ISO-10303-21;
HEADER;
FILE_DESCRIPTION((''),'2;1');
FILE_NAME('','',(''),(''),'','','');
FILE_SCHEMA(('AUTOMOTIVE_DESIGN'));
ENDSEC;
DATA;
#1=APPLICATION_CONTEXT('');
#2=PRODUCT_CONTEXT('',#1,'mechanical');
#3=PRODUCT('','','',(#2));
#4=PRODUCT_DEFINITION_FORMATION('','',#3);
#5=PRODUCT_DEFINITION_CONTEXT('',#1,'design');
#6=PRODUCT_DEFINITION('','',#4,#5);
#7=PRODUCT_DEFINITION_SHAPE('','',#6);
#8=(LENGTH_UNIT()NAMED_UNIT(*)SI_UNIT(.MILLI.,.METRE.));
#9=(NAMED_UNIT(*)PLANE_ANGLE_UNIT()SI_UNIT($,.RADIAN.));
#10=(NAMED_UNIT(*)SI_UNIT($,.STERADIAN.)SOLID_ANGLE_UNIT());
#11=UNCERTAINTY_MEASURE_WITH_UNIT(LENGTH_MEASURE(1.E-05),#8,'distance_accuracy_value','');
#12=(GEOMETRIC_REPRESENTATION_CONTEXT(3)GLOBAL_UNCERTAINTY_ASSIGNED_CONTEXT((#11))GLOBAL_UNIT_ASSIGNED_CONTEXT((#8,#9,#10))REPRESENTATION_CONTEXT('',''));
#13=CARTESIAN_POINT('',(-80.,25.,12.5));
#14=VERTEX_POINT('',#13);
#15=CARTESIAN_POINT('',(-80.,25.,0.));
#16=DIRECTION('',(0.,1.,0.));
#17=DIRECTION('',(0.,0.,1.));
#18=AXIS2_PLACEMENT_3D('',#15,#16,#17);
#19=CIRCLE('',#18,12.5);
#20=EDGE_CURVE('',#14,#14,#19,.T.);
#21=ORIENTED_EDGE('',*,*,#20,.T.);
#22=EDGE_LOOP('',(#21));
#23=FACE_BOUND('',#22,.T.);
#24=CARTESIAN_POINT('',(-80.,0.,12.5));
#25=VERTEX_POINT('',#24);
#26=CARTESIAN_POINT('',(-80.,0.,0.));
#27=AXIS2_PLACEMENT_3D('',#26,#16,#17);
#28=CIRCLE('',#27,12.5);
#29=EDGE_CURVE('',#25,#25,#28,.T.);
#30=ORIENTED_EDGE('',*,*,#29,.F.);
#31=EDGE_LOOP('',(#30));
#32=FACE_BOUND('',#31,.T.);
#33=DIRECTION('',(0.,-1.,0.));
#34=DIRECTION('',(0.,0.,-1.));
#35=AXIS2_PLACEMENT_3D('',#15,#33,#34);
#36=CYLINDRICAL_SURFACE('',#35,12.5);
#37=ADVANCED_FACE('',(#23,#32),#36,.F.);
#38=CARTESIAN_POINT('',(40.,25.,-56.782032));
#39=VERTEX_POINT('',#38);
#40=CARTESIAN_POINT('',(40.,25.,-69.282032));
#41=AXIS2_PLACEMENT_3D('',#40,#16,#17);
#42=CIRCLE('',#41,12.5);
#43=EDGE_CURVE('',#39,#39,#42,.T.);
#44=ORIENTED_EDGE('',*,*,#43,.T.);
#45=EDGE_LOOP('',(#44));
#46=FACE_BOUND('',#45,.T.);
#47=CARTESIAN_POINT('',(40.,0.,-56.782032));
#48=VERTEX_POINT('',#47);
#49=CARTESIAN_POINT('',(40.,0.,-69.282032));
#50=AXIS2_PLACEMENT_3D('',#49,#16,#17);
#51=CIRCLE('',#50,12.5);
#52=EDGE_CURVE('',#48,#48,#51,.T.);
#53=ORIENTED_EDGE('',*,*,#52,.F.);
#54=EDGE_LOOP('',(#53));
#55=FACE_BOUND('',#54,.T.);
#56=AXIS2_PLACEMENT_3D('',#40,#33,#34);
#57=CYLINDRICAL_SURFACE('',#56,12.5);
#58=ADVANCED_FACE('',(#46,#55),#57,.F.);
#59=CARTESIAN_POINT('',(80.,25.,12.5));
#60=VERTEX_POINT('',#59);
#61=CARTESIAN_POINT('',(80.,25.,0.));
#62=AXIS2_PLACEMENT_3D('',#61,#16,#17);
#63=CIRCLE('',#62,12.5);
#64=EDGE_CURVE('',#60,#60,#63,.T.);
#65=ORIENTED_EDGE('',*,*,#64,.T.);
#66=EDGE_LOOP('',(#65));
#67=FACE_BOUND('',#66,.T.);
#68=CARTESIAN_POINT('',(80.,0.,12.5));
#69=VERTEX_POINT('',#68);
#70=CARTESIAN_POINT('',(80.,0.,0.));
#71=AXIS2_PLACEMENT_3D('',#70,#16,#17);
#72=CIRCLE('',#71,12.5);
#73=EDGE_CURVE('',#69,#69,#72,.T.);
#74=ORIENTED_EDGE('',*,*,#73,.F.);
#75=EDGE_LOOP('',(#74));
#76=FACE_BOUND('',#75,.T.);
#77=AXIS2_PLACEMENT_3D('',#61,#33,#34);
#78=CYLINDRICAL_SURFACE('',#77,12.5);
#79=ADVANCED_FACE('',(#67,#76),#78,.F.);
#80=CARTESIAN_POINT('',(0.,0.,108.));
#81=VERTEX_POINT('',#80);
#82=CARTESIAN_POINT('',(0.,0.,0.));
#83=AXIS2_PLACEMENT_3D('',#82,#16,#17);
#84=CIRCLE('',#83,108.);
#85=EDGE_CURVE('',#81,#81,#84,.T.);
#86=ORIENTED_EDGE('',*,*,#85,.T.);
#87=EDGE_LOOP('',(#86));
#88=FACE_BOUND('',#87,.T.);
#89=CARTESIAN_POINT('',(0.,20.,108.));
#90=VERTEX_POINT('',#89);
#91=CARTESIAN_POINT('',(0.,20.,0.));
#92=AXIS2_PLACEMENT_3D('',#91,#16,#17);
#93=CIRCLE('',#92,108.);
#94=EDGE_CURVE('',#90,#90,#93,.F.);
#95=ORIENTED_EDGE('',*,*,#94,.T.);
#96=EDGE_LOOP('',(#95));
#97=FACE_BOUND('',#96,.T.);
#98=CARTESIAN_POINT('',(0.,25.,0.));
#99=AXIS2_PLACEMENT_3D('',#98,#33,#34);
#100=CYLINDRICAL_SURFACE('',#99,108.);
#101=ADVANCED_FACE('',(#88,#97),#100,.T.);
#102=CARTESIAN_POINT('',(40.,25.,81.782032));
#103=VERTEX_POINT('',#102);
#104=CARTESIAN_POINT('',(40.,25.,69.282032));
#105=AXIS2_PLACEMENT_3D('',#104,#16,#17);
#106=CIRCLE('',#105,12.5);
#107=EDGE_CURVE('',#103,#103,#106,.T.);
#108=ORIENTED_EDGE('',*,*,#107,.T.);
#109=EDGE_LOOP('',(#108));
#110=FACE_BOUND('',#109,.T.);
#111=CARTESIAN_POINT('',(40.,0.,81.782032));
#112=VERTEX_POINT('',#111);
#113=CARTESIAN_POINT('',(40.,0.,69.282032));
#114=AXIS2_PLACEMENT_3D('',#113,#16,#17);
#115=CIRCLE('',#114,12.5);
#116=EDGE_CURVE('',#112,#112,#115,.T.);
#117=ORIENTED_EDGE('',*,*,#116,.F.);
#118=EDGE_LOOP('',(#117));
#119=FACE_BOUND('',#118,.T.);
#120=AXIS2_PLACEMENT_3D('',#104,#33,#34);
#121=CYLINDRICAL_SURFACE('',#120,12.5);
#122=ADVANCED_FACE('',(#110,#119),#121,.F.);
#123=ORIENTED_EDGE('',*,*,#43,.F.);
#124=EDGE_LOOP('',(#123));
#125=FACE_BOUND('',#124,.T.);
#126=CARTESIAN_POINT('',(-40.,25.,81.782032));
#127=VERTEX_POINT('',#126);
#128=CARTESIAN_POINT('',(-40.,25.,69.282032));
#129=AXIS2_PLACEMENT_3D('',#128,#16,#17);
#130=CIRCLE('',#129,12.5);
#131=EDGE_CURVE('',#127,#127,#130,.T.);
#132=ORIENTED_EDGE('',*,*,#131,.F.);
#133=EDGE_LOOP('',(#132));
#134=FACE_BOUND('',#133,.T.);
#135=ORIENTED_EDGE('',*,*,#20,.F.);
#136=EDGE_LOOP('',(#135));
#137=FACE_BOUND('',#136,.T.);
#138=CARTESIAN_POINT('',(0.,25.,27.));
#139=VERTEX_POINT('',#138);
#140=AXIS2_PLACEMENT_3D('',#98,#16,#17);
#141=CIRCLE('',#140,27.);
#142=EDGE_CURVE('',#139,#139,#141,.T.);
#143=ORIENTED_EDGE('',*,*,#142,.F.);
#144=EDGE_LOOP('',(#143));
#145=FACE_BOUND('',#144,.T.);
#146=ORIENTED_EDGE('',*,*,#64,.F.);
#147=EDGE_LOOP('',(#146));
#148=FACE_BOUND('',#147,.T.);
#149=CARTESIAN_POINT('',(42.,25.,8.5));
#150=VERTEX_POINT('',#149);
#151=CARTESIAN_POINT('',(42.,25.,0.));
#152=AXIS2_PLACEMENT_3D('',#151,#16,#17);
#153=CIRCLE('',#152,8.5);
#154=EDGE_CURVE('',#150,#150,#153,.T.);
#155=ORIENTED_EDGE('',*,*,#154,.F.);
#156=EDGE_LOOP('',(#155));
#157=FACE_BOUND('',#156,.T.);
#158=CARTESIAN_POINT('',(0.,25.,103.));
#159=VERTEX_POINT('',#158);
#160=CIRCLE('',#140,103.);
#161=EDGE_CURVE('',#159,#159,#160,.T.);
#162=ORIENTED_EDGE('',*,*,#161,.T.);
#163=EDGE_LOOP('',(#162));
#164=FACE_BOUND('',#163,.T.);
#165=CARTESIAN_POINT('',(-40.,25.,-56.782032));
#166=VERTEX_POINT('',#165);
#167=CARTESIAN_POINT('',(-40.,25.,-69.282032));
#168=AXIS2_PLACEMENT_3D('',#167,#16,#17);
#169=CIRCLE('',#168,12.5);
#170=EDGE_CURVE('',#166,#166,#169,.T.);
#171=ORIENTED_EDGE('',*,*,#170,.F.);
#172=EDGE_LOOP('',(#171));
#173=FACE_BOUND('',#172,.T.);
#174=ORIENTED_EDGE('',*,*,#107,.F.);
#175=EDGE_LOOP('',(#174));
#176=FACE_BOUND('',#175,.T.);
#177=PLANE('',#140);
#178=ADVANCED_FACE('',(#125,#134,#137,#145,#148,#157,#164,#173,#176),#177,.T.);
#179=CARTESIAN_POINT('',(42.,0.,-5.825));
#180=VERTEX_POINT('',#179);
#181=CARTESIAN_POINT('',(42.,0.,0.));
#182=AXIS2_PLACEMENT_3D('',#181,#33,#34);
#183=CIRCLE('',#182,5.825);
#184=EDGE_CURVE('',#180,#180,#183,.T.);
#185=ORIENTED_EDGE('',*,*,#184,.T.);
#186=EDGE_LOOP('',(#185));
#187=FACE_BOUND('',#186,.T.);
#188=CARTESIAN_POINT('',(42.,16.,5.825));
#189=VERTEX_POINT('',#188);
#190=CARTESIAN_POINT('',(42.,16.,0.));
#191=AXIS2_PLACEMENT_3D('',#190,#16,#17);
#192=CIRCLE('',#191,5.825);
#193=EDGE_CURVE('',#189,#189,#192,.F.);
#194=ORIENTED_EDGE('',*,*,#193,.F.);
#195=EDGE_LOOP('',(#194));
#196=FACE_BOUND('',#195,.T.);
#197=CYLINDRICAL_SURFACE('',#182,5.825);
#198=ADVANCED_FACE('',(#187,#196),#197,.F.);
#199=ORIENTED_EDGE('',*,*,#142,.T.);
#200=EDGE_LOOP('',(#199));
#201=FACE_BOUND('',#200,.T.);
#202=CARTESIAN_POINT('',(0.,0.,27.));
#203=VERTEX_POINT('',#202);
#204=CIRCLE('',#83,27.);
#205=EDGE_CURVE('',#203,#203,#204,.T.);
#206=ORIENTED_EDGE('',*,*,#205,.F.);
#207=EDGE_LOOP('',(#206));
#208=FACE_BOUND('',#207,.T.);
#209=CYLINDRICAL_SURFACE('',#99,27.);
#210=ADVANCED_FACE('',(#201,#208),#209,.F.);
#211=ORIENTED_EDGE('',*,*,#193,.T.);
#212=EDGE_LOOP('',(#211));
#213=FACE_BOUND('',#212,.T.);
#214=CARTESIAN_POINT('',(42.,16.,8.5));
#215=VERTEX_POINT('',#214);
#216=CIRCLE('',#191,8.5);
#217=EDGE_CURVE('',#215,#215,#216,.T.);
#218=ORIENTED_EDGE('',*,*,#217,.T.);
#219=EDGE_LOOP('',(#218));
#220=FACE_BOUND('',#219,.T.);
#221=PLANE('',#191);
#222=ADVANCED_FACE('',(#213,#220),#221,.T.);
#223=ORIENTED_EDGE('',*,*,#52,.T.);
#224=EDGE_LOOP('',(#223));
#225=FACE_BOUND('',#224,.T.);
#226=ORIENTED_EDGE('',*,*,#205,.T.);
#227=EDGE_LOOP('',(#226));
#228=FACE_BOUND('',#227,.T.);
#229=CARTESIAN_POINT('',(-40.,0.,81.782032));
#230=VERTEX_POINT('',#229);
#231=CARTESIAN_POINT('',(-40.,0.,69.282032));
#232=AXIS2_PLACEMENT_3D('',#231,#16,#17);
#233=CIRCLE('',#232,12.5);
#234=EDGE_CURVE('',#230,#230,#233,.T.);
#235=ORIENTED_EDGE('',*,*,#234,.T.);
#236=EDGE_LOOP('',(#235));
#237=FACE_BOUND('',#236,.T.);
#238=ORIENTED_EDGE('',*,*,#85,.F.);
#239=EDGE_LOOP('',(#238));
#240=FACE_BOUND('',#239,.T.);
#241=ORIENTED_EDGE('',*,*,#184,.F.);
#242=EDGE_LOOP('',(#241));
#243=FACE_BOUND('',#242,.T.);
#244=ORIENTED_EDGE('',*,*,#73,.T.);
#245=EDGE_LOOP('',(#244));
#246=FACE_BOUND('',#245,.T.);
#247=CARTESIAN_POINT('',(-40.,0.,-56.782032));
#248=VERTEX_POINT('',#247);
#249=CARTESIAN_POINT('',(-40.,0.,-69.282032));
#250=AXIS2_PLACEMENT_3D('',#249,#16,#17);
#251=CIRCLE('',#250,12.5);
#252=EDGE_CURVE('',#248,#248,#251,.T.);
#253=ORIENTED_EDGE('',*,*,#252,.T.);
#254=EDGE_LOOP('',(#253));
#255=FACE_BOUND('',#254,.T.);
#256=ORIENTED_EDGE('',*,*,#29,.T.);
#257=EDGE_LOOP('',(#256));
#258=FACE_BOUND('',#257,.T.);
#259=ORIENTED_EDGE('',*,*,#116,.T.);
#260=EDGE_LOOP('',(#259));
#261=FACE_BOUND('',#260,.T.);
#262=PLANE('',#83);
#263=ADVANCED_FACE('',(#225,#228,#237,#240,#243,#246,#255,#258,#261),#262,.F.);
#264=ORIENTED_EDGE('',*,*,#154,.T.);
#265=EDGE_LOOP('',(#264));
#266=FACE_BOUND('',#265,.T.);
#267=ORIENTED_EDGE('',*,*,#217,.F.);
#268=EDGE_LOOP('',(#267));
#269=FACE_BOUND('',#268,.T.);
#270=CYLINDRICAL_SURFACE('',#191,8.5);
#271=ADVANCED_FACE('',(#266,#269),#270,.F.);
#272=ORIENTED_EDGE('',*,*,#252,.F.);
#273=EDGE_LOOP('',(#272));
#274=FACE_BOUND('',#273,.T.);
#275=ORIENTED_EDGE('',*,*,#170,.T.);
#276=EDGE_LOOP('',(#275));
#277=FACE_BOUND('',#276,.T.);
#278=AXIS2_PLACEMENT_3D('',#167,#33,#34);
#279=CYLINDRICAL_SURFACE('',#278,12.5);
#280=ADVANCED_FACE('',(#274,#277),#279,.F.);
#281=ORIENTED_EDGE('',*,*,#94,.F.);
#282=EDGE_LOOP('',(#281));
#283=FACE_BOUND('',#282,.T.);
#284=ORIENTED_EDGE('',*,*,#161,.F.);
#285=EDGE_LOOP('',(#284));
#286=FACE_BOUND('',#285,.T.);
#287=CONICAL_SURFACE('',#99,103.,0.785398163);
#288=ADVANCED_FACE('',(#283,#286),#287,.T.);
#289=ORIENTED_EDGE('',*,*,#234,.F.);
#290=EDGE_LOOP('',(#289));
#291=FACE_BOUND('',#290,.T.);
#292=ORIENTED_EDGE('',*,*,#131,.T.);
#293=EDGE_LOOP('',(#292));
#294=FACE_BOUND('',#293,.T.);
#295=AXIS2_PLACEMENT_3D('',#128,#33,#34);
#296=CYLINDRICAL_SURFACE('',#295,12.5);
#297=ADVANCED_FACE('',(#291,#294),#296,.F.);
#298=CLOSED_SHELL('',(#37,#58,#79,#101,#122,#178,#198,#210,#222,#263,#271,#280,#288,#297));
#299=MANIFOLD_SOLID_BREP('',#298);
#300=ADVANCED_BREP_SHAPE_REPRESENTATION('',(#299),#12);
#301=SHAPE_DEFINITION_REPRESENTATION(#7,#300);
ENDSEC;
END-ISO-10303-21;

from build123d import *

# Parameters (mm, degrees)
SKETCH1_R               = 108
SKETCH1_R_2             = 27
SKETCH1_R_3             = 12.5
BOSS_EXTRUDE1_DEPTH     = 25
CHAMFER1_SIZE           = 5
M12X0_35_TAPPED_HOLE2_D = 11.65
SKETCH4_R               = 8.5
CUT_EXTRUDE2_DEPTH      = 9


with BuildPart() as part:
    # Sketch1 → Boss-Extrude1 (new body)
    with BuildSketch(Plane(origin=(0, 0, 0), x_dir=(1, 0, 0), z_dir=(0, 1, 0))):
        with Locations(Location((0, 0, 0), (0, 0, 270))):
            Circle(SKETCH1_R)
        with Locations(Location((0, 0, 0), (0, 0, 270))):
            Circle(SKETCH1_R_2, mode=Mode.SUBTRACT)
        with Locations(Location((40, 69.282032303, 0), (0, 0, 270))):
            Circle(SKETCH1_R_3, mode=Mode.SUBTRACT)
        with Locations(Location((80, 0, 0), (0, 0, 270))):
            Circle(SKETCH1_R_3, mode=Mode.SUBTRACT)
        with Locations(Location((40, -69.282032303, 0), (0, 0, 270))):
            Circle(SKETCH1_R_3, mode=Mode.SUBTRACT)
        with Locations(Location((-40, -69.282032303, 0), (0, 0, 270))):
            Circle(SKETCH1_R_3, mode=Mode.SUBTRACT)
        with Locations(Location((-80, 0, 0), (0, 0, 270))):
            Circle(SKETCH1_R_3, mode=Mode.SUBTRACT)
        with Locations(Location((-40, 69.282032303, 0), (0, 0, 270))):
            Circle(SKETCH1_R_3, mode=Mode.SUBTRACT)
    extrude(amount=BOSS_EXTRUDE1_DEPTH)

    # Chamfer1
    chamfer1_edges = [part.edges().sort_by_distance(p)[0] for p in [
        (0, 25, -108),
    ]]
    chamfer(chamfer1_edges, length=CHAMFER1_SIZE)

    # M12x0.35 Tapped Hole2 (through all)
    with Locations(Plane(origin=(42, 0, 0), x_dir=(0, 0, -1), z_dir=(0, -1, 0))):
        with Locations((0, 0)):
            Hole(M12X0_35_TAPPED_HOLE2_D / 2)

    # Sketch4 → Cut-Extrude2 (cut)
    with BuildSketch(Plane(origin=(0, 25, 0), x_dir=(1, 0, 0), z_dir=(0, 1, 0))):
        with Locations(Location((42, 0, 0), (0, 0, 270))):
            Circle(SKETCH4_R)
    extrude(amount=-CUT_EXTRUDE2_DEPTH, mode=Mode.SUBTRACT)


solid = part.part
